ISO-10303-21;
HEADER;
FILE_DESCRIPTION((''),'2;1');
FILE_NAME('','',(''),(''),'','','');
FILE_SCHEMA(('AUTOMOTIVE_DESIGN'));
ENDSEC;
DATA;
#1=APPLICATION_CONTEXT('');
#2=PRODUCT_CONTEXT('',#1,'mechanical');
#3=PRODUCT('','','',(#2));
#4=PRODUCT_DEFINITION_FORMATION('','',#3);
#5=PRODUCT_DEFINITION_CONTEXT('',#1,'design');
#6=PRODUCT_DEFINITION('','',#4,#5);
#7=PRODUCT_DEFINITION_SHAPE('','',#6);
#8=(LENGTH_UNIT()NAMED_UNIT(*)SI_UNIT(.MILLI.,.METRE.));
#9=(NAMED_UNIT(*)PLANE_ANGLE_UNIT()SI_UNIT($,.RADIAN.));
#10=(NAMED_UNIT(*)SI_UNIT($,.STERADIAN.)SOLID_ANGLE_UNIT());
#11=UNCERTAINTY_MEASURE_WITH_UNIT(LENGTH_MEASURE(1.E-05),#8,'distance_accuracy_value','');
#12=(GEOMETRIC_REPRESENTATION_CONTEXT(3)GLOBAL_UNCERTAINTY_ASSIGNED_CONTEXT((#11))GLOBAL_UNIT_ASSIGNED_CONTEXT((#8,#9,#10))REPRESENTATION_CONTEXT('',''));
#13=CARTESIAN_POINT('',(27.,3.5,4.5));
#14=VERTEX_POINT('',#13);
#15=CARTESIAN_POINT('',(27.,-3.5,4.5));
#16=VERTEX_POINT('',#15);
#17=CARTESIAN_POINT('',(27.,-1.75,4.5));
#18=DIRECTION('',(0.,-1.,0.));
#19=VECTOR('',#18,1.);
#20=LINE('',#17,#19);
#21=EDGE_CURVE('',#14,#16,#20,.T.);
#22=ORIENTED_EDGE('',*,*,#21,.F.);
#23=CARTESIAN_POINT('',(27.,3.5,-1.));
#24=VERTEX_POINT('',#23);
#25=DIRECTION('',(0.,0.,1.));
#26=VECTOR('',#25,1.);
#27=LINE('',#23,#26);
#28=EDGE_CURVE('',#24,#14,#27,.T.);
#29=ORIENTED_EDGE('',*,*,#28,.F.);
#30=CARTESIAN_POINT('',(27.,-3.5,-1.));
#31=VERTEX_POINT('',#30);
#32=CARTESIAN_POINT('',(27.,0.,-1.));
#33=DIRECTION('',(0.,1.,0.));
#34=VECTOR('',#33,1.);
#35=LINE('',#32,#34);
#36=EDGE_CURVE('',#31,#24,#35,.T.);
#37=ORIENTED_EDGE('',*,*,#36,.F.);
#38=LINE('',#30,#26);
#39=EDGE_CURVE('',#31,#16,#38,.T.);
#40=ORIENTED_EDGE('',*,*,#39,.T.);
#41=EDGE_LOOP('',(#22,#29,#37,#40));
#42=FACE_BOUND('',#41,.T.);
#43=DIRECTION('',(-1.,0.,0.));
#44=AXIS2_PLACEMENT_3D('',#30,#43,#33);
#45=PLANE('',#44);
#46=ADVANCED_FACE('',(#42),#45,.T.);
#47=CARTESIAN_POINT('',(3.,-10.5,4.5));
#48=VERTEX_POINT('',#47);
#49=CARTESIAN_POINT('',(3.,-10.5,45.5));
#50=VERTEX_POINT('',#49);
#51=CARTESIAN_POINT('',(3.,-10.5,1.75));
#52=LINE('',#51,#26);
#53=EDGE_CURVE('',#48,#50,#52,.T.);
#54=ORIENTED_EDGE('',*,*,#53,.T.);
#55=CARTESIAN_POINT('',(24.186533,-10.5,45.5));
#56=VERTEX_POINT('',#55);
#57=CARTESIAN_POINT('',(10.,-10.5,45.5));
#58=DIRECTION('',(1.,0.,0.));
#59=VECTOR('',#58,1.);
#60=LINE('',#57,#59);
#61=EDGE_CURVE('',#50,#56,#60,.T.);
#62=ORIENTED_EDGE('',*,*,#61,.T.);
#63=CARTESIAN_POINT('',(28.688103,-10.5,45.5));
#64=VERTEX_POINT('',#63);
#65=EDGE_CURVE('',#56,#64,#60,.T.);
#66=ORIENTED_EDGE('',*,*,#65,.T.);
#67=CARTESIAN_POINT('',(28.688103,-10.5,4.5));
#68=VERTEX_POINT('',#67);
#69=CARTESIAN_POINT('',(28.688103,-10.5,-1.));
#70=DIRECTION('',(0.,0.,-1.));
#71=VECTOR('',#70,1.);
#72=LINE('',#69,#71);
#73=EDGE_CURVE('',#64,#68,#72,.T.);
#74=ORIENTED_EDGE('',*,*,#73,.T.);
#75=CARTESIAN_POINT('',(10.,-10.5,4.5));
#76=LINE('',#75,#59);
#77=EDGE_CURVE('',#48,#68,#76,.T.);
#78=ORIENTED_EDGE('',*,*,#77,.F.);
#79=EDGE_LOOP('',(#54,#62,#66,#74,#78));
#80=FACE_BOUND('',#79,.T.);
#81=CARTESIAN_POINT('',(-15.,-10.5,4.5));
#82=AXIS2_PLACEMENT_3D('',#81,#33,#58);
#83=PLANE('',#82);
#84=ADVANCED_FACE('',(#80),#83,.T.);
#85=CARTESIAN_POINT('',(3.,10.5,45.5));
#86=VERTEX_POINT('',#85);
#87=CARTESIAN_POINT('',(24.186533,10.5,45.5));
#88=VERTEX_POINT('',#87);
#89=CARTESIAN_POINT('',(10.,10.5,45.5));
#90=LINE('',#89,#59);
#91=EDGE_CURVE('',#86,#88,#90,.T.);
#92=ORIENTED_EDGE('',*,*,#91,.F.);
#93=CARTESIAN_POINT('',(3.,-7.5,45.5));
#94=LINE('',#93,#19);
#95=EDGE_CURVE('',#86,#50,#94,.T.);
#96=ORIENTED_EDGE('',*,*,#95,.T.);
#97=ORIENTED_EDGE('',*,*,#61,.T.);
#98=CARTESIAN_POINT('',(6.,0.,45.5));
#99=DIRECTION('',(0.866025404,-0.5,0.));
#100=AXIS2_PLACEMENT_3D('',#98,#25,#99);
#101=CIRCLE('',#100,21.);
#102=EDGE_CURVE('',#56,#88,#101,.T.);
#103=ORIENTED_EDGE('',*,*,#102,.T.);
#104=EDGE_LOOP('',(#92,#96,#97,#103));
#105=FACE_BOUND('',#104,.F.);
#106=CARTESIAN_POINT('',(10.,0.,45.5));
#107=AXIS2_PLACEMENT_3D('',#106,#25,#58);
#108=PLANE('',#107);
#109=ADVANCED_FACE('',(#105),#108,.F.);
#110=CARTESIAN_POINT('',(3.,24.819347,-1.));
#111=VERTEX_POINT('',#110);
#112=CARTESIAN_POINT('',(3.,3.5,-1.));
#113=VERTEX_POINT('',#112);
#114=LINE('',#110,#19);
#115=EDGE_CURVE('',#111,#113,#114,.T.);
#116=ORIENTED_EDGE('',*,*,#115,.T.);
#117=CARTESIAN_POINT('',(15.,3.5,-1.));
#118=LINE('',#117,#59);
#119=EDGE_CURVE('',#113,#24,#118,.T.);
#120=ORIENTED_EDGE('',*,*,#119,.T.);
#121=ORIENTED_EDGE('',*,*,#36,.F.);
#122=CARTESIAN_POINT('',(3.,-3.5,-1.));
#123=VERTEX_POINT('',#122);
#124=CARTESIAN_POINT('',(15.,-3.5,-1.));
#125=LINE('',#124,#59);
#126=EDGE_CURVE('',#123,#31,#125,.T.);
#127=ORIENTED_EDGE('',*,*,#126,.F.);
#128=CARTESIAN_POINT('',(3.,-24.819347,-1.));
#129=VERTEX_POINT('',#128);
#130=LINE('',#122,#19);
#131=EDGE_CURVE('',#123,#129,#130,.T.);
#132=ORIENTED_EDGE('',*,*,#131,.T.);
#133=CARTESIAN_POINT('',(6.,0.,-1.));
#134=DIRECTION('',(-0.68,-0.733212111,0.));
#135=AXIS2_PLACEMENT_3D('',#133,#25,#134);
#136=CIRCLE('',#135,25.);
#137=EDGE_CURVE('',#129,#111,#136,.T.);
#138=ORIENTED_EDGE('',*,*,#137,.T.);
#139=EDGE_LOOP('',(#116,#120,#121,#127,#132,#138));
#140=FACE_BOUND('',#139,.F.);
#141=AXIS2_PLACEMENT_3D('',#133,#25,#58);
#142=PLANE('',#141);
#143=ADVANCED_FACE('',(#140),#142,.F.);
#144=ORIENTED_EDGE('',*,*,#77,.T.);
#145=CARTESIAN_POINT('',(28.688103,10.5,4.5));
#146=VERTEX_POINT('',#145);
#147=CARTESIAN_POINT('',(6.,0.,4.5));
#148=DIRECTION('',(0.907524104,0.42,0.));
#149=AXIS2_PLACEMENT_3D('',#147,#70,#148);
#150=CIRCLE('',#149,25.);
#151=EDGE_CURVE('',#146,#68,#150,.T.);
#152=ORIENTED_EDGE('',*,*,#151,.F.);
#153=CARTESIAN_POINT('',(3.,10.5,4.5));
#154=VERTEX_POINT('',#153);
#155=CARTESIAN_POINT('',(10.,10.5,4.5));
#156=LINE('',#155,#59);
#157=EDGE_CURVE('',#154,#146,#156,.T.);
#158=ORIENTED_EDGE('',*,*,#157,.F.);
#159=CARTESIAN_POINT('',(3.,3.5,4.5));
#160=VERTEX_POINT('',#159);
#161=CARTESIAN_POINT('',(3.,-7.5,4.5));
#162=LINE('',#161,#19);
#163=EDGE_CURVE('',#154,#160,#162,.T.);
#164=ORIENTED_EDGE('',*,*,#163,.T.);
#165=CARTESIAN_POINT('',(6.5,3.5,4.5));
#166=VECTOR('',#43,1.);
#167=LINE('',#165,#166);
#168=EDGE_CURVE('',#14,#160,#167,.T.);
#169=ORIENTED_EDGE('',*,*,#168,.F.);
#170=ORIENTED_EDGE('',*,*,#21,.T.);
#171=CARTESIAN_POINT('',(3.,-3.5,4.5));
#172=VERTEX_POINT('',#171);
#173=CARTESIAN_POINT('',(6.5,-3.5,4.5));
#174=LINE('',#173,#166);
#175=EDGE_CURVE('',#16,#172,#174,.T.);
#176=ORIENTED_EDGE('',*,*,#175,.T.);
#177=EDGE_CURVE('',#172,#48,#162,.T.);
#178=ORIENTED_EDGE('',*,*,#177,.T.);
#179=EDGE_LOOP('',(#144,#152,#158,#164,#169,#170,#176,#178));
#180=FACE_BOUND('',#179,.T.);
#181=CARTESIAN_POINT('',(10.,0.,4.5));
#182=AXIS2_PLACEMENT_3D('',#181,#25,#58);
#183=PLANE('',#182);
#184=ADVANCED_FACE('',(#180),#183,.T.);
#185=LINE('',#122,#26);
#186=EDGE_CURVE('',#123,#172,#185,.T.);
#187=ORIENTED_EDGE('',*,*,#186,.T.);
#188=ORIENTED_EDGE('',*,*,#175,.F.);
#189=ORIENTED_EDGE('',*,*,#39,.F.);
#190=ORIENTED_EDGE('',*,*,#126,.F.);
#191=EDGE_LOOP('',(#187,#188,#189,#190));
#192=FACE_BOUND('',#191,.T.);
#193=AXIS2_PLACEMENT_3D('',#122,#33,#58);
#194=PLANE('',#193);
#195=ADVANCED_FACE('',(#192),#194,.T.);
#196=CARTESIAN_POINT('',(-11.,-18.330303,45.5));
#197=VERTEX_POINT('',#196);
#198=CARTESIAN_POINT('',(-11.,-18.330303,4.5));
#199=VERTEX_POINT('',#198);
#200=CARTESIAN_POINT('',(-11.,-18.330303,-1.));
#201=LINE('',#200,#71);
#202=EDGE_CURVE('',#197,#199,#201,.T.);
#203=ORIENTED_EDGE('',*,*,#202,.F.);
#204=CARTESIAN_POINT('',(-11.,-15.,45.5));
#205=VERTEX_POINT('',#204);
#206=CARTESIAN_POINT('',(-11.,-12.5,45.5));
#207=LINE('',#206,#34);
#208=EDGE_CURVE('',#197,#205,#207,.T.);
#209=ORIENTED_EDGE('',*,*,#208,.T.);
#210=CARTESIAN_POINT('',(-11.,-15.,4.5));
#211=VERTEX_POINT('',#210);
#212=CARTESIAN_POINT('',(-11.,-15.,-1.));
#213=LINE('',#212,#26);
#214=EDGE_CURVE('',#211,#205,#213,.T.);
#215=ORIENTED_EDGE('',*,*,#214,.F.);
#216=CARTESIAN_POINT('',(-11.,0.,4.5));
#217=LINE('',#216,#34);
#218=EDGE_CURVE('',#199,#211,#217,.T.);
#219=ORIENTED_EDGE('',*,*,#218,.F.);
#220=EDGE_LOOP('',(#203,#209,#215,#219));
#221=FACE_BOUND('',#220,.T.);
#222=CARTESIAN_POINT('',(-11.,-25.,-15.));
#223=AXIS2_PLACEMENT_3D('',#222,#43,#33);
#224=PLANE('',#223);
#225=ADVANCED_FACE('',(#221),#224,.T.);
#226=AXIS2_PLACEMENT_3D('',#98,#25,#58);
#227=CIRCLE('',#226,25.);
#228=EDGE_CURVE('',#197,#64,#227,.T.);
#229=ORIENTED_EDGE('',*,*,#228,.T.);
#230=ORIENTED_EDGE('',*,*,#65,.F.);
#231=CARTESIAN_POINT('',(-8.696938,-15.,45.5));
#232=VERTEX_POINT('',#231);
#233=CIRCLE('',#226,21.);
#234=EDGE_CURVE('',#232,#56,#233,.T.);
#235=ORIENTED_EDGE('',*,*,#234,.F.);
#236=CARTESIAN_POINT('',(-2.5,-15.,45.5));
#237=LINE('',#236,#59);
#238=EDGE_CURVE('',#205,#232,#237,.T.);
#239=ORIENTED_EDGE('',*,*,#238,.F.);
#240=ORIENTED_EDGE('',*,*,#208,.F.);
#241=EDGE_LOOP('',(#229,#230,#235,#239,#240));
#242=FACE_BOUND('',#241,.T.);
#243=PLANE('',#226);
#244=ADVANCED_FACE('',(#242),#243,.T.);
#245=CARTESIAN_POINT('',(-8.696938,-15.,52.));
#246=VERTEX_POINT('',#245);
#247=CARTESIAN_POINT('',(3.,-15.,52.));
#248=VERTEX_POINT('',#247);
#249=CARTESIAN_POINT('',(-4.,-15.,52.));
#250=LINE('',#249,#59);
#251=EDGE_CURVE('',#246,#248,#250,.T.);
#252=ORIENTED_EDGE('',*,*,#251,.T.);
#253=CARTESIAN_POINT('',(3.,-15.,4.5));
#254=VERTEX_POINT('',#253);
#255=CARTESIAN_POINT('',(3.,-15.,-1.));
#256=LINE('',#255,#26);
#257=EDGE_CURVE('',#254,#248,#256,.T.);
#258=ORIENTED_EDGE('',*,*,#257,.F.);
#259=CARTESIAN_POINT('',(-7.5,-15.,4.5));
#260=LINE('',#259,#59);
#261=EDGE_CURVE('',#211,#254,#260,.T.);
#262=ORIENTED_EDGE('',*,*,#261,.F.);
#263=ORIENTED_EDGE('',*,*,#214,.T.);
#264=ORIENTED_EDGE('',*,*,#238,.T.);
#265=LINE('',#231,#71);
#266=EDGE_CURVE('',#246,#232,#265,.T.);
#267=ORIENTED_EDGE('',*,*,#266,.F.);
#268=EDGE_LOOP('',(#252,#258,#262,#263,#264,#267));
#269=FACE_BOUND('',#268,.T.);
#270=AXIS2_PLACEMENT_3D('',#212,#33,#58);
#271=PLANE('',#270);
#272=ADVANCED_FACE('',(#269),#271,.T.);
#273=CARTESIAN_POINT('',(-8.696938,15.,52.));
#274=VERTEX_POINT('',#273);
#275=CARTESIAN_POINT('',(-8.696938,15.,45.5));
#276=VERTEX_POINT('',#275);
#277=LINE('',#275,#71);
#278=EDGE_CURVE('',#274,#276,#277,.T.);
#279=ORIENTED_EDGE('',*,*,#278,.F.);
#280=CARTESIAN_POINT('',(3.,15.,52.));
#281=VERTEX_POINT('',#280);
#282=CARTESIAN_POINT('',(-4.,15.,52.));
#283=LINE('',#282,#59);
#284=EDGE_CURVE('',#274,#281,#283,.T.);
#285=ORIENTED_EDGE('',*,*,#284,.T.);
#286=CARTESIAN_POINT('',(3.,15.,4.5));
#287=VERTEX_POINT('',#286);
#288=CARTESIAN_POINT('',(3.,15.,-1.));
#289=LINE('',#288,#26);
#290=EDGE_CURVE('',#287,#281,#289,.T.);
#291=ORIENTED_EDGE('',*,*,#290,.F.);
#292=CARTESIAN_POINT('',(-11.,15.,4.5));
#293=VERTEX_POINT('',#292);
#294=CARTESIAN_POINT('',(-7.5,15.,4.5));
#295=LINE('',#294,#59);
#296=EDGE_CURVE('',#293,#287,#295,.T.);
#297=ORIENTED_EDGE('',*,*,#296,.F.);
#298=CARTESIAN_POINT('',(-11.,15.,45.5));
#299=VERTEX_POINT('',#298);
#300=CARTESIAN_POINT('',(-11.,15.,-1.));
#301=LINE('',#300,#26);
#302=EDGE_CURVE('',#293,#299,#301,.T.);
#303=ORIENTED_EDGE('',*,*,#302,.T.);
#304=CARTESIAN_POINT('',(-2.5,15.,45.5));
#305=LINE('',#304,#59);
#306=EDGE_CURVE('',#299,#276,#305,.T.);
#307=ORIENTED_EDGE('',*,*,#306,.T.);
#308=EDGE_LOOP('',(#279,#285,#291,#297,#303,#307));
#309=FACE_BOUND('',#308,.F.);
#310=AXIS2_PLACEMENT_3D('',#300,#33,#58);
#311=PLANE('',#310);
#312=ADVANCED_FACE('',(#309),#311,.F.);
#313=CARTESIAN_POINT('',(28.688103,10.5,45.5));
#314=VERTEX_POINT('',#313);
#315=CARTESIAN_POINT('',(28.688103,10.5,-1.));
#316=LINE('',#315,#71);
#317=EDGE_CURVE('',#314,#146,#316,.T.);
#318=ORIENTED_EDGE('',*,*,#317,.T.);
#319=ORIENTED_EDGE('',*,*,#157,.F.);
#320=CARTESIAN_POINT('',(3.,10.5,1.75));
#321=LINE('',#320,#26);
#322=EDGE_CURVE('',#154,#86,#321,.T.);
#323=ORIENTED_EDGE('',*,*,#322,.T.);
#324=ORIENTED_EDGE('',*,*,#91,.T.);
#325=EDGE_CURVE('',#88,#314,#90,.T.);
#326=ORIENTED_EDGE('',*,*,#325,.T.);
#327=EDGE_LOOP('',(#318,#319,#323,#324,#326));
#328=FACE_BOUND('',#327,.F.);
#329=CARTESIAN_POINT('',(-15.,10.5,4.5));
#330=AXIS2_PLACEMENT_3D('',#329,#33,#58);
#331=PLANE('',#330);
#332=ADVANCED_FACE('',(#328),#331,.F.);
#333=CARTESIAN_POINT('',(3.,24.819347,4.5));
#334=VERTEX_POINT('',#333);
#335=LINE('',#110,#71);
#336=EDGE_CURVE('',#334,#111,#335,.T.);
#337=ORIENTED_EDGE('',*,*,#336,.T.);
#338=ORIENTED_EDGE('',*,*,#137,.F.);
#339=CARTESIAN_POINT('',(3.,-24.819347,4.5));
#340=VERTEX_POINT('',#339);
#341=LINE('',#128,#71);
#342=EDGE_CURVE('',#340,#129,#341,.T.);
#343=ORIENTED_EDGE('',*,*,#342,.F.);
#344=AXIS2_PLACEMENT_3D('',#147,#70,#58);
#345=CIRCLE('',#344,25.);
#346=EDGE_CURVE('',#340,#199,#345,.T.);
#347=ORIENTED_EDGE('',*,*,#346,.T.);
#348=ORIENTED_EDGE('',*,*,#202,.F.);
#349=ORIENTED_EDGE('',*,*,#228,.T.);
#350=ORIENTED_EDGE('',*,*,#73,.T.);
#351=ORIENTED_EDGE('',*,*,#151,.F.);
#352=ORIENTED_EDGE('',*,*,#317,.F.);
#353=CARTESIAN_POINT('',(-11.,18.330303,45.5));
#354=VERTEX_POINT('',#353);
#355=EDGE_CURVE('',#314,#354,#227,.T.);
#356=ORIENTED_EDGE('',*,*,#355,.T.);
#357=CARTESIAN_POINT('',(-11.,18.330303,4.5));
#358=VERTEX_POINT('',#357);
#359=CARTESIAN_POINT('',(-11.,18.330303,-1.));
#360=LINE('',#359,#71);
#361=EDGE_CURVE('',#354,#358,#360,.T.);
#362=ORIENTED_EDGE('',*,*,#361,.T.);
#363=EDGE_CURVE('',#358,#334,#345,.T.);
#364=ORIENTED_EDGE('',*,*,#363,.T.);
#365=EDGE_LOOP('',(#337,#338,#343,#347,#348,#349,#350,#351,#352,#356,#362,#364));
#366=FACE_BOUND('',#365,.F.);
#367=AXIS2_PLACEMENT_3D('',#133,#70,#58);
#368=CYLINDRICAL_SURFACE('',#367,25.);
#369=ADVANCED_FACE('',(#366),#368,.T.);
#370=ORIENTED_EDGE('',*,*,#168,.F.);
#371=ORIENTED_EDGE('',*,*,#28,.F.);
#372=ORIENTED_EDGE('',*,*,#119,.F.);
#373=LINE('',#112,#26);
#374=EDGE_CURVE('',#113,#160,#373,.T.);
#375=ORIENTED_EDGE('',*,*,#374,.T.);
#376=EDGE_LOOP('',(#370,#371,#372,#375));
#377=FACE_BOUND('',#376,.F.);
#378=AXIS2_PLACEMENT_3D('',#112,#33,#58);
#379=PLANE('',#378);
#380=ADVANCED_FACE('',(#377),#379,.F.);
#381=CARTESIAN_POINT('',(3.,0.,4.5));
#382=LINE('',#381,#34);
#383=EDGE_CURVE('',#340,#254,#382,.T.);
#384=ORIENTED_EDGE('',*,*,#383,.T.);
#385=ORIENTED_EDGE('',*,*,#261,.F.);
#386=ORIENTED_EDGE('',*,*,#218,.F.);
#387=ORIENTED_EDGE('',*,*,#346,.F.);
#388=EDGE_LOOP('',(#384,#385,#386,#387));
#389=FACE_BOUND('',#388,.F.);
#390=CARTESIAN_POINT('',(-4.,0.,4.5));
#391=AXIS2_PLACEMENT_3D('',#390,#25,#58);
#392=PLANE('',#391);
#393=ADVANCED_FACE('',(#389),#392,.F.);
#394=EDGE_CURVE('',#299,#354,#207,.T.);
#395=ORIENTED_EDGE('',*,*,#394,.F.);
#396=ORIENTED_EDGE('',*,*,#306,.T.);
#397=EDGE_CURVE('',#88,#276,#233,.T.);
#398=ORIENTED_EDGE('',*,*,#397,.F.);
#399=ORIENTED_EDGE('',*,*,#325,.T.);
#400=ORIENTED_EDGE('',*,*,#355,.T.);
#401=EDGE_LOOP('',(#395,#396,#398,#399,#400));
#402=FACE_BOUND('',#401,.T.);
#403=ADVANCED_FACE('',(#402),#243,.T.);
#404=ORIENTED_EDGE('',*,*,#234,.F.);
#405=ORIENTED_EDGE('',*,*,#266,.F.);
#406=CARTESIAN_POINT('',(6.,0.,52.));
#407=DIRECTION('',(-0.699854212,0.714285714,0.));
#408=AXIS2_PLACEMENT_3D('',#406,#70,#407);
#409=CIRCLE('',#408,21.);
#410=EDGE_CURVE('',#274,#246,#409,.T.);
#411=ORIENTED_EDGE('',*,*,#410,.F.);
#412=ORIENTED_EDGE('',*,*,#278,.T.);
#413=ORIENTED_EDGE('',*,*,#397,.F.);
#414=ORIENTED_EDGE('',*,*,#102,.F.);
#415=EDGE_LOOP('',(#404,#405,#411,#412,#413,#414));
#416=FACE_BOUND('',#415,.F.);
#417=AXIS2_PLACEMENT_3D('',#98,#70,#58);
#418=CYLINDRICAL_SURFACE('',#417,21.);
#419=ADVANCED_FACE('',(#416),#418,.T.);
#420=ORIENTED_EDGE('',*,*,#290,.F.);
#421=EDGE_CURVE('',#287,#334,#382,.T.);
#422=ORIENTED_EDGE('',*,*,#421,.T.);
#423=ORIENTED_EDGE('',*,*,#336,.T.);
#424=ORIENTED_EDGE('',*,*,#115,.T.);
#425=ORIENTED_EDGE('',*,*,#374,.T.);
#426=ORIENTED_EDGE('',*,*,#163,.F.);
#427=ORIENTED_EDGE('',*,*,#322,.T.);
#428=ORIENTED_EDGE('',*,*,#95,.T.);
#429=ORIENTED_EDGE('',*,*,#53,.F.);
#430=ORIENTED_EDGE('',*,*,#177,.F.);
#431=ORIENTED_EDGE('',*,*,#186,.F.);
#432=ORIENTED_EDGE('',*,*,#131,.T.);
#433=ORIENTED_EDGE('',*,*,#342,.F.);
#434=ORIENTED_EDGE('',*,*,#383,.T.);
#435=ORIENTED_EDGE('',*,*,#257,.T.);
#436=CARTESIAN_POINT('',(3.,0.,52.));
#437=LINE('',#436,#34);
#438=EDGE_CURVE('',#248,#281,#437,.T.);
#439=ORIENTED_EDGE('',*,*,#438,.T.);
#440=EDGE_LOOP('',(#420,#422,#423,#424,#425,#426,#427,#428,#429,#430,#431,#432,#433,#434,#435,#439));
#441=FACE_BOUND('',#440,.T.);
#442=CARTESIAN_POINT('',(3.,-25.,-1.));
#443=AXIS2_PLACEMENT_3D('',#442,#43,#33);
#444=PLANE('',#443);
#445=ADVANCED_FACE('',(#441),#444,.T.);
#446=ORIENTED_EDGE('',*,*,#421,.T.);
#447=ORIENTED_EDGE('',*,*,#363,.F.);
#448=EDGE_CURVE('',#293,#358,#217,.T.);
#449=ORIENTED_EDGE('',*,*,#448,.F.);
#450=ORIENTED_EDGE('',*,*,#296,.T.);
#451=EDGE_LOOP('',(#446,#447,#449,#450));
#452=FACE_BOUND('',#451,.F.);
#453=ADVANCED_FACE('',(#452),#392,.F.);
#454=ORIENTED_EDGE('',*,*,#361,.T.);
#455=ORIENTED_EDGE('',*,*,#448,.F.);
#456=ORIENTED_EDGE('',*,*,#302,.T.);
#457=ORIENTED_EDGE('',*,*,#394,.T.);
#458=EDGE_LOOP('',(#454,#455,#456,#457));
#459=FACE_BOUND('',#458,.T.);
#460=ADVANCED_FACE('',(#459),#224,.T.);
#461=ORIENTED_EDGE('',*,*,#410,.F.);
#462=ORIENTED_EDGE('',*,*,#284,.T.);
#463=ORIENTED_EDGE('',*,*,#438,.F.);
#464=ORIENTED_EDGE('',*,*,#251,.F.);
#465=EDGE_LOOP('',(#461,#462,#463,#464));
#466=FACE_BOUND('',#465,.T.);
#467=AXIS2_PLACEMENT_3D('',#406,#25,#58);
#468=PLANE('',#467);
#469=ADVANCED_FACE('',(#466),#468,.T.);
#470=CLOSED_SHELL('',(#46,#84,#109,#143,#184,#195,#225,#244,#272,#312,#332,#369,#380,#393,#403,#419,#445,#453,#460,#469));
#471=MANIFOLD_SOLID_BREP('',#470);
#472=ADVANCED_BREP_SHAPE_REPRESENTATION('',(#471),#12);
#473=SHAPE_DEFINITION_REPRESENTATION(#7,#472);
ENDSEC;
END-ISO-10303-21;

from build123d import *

# Parameters (mm, degrees)
CYLINDER091_R     = 21
CYLINDER091_DEPTH = 6.5
CYLINDER092_R     = 25
CYLINDER092_DEPTH = 6.5
BOX032_W          = 14
BOX032_H          = 50
BOX032_DEPTH      = 5.5
BOX031_W          = 14
BOX031_H          = 30
BOX031_DEPTH      = 53
BOX004_W          = 24
BOX004_H          = 7
BOX004_DEPTH      = 7
BOX003_W          = 55
BOX003_H          = 56
BOX003_DEPTH      = 71
BOX002_W          = 50
BOX002_H          = 21
BOX002_DEPTH      = 41
CYLINDER033_R     = 25
CYLINDER033_DEPTH = 53


with BuildPart() as cylinder091:
    # Cylinder091 → Cylinder091 (new body)
    with BuildSketch(Plane(origin=(6, 0, 45.5), x_dir=(1, 0, 0), z_dir=(0, 0, 1))):
        Circle(CYLINDER091_R)
    extrude(amount=CYLINDER091_DEPTH)


with BuildPart() as cut096:
    # Cylinder092 → Cylinder092 (new body)
    with BuildSketch(Plane(origin=(6, 0, 45.5), x_dir=(1, 0, 0), z_dir=(0, 0, 1))):
        Circle(CYLINDER092_R)
    extrude(amount=CYLINDER092_DEPTH)

    # Cut096: cut Cylinder091
    add(cylinder091.part, mode=Mode.SUBTRACT)


with BuildPart() as cube016:
    # Box032 → Box032 (new body)
    with BuildSketch(Plane(origin=(-11, -25, -1), x_dir=(1, 0, 0), z_dir=(0, 0, 1))):
        with Locations((7, 25)):
            Rectangle(BOX032_W, BOX032_H)
    extrude(amount=BOX032_DEPTH)


with BuildPart() as cube015:
    # Box031 → Box031 (new body)
    with BuildSketch(Plane(origin=(-11, -15, -1), x_dir=(1, 0, 0), z_dir=(0, 0, 1))):
        with Locations((7, 15)):
            Rectangle(BOX031_W, BOX031_H)
    extrude(amount=BOX031_DEPTH)


with BuildPart() as cube004:
    # Box004 → Box004 (new body)
    with BuildSketch(Plane(origin=(3, -3.5, -1), x_dir=(1, 0, 0), z_dir=(0, 0, 1))):
        with Locations((12, 3.5)):
            Rectangle(BOX004_W, BOX004_H)
    extrude(amount=BOX004_DEPTH)


with BuildPart() as cube003:
    # Box003 → Box003 (new body)
    with BuildSketch(Plane(origin=(-66, -25, -15), x_dir=(1, 0, 0), z_dir=(0, 0, 1))):
        with Locations((27.5, 28)):
            Rectangle(BOX003_W, BOX003_H)
    extrude(amount=BOX003_DEPTH)


with BuildPart() as cube002:
    # Box002 → Box002 (new body)
    with BuildSketch(Plane(origin=(-15, -10.5, 4.5), x_dir=(1, 0, 0), z_dir=(0, 0, 1))):
        with Locations((25, 10.5)):
            Rectangle(BOX002_W, BOX002_H)
    extrude(amount=BOX002_DEPTH)


with BuildPart() as cut097:
    # Cylinder033 → Cylinder033 (new body)
    with BuildSketch(Plane(origin=(6, 0, -1), x_dir=(1, 0, 0), z_dir=(0, 0, 1))):
        Circle(CYLINDER033_R)
    extrude(amount=CYLINDER033_DEPTH)

    # Cut026: cut Cube002
    add(cube002.part, mode=Mode.SUBTRACT)

    # Cut027: cut Cube003
    add(cube003.part, mode=Mode.SUBTRACT)

    # Cut028: cut Cube004
    add(cube004.part, mode=Mode.SUBTRACT)

    # Cut089: cut Cube015
    add(cube015.part, mode=Mode.SUBTRACT)

    # Cut090: cut Cube016
    add(cube016.part, mode=Mode.SUBTRACT)

    # Cut097: cut Cut096
    add(cut096.part, mode=Mode.SUBTRACT)


solid = cut097.part
